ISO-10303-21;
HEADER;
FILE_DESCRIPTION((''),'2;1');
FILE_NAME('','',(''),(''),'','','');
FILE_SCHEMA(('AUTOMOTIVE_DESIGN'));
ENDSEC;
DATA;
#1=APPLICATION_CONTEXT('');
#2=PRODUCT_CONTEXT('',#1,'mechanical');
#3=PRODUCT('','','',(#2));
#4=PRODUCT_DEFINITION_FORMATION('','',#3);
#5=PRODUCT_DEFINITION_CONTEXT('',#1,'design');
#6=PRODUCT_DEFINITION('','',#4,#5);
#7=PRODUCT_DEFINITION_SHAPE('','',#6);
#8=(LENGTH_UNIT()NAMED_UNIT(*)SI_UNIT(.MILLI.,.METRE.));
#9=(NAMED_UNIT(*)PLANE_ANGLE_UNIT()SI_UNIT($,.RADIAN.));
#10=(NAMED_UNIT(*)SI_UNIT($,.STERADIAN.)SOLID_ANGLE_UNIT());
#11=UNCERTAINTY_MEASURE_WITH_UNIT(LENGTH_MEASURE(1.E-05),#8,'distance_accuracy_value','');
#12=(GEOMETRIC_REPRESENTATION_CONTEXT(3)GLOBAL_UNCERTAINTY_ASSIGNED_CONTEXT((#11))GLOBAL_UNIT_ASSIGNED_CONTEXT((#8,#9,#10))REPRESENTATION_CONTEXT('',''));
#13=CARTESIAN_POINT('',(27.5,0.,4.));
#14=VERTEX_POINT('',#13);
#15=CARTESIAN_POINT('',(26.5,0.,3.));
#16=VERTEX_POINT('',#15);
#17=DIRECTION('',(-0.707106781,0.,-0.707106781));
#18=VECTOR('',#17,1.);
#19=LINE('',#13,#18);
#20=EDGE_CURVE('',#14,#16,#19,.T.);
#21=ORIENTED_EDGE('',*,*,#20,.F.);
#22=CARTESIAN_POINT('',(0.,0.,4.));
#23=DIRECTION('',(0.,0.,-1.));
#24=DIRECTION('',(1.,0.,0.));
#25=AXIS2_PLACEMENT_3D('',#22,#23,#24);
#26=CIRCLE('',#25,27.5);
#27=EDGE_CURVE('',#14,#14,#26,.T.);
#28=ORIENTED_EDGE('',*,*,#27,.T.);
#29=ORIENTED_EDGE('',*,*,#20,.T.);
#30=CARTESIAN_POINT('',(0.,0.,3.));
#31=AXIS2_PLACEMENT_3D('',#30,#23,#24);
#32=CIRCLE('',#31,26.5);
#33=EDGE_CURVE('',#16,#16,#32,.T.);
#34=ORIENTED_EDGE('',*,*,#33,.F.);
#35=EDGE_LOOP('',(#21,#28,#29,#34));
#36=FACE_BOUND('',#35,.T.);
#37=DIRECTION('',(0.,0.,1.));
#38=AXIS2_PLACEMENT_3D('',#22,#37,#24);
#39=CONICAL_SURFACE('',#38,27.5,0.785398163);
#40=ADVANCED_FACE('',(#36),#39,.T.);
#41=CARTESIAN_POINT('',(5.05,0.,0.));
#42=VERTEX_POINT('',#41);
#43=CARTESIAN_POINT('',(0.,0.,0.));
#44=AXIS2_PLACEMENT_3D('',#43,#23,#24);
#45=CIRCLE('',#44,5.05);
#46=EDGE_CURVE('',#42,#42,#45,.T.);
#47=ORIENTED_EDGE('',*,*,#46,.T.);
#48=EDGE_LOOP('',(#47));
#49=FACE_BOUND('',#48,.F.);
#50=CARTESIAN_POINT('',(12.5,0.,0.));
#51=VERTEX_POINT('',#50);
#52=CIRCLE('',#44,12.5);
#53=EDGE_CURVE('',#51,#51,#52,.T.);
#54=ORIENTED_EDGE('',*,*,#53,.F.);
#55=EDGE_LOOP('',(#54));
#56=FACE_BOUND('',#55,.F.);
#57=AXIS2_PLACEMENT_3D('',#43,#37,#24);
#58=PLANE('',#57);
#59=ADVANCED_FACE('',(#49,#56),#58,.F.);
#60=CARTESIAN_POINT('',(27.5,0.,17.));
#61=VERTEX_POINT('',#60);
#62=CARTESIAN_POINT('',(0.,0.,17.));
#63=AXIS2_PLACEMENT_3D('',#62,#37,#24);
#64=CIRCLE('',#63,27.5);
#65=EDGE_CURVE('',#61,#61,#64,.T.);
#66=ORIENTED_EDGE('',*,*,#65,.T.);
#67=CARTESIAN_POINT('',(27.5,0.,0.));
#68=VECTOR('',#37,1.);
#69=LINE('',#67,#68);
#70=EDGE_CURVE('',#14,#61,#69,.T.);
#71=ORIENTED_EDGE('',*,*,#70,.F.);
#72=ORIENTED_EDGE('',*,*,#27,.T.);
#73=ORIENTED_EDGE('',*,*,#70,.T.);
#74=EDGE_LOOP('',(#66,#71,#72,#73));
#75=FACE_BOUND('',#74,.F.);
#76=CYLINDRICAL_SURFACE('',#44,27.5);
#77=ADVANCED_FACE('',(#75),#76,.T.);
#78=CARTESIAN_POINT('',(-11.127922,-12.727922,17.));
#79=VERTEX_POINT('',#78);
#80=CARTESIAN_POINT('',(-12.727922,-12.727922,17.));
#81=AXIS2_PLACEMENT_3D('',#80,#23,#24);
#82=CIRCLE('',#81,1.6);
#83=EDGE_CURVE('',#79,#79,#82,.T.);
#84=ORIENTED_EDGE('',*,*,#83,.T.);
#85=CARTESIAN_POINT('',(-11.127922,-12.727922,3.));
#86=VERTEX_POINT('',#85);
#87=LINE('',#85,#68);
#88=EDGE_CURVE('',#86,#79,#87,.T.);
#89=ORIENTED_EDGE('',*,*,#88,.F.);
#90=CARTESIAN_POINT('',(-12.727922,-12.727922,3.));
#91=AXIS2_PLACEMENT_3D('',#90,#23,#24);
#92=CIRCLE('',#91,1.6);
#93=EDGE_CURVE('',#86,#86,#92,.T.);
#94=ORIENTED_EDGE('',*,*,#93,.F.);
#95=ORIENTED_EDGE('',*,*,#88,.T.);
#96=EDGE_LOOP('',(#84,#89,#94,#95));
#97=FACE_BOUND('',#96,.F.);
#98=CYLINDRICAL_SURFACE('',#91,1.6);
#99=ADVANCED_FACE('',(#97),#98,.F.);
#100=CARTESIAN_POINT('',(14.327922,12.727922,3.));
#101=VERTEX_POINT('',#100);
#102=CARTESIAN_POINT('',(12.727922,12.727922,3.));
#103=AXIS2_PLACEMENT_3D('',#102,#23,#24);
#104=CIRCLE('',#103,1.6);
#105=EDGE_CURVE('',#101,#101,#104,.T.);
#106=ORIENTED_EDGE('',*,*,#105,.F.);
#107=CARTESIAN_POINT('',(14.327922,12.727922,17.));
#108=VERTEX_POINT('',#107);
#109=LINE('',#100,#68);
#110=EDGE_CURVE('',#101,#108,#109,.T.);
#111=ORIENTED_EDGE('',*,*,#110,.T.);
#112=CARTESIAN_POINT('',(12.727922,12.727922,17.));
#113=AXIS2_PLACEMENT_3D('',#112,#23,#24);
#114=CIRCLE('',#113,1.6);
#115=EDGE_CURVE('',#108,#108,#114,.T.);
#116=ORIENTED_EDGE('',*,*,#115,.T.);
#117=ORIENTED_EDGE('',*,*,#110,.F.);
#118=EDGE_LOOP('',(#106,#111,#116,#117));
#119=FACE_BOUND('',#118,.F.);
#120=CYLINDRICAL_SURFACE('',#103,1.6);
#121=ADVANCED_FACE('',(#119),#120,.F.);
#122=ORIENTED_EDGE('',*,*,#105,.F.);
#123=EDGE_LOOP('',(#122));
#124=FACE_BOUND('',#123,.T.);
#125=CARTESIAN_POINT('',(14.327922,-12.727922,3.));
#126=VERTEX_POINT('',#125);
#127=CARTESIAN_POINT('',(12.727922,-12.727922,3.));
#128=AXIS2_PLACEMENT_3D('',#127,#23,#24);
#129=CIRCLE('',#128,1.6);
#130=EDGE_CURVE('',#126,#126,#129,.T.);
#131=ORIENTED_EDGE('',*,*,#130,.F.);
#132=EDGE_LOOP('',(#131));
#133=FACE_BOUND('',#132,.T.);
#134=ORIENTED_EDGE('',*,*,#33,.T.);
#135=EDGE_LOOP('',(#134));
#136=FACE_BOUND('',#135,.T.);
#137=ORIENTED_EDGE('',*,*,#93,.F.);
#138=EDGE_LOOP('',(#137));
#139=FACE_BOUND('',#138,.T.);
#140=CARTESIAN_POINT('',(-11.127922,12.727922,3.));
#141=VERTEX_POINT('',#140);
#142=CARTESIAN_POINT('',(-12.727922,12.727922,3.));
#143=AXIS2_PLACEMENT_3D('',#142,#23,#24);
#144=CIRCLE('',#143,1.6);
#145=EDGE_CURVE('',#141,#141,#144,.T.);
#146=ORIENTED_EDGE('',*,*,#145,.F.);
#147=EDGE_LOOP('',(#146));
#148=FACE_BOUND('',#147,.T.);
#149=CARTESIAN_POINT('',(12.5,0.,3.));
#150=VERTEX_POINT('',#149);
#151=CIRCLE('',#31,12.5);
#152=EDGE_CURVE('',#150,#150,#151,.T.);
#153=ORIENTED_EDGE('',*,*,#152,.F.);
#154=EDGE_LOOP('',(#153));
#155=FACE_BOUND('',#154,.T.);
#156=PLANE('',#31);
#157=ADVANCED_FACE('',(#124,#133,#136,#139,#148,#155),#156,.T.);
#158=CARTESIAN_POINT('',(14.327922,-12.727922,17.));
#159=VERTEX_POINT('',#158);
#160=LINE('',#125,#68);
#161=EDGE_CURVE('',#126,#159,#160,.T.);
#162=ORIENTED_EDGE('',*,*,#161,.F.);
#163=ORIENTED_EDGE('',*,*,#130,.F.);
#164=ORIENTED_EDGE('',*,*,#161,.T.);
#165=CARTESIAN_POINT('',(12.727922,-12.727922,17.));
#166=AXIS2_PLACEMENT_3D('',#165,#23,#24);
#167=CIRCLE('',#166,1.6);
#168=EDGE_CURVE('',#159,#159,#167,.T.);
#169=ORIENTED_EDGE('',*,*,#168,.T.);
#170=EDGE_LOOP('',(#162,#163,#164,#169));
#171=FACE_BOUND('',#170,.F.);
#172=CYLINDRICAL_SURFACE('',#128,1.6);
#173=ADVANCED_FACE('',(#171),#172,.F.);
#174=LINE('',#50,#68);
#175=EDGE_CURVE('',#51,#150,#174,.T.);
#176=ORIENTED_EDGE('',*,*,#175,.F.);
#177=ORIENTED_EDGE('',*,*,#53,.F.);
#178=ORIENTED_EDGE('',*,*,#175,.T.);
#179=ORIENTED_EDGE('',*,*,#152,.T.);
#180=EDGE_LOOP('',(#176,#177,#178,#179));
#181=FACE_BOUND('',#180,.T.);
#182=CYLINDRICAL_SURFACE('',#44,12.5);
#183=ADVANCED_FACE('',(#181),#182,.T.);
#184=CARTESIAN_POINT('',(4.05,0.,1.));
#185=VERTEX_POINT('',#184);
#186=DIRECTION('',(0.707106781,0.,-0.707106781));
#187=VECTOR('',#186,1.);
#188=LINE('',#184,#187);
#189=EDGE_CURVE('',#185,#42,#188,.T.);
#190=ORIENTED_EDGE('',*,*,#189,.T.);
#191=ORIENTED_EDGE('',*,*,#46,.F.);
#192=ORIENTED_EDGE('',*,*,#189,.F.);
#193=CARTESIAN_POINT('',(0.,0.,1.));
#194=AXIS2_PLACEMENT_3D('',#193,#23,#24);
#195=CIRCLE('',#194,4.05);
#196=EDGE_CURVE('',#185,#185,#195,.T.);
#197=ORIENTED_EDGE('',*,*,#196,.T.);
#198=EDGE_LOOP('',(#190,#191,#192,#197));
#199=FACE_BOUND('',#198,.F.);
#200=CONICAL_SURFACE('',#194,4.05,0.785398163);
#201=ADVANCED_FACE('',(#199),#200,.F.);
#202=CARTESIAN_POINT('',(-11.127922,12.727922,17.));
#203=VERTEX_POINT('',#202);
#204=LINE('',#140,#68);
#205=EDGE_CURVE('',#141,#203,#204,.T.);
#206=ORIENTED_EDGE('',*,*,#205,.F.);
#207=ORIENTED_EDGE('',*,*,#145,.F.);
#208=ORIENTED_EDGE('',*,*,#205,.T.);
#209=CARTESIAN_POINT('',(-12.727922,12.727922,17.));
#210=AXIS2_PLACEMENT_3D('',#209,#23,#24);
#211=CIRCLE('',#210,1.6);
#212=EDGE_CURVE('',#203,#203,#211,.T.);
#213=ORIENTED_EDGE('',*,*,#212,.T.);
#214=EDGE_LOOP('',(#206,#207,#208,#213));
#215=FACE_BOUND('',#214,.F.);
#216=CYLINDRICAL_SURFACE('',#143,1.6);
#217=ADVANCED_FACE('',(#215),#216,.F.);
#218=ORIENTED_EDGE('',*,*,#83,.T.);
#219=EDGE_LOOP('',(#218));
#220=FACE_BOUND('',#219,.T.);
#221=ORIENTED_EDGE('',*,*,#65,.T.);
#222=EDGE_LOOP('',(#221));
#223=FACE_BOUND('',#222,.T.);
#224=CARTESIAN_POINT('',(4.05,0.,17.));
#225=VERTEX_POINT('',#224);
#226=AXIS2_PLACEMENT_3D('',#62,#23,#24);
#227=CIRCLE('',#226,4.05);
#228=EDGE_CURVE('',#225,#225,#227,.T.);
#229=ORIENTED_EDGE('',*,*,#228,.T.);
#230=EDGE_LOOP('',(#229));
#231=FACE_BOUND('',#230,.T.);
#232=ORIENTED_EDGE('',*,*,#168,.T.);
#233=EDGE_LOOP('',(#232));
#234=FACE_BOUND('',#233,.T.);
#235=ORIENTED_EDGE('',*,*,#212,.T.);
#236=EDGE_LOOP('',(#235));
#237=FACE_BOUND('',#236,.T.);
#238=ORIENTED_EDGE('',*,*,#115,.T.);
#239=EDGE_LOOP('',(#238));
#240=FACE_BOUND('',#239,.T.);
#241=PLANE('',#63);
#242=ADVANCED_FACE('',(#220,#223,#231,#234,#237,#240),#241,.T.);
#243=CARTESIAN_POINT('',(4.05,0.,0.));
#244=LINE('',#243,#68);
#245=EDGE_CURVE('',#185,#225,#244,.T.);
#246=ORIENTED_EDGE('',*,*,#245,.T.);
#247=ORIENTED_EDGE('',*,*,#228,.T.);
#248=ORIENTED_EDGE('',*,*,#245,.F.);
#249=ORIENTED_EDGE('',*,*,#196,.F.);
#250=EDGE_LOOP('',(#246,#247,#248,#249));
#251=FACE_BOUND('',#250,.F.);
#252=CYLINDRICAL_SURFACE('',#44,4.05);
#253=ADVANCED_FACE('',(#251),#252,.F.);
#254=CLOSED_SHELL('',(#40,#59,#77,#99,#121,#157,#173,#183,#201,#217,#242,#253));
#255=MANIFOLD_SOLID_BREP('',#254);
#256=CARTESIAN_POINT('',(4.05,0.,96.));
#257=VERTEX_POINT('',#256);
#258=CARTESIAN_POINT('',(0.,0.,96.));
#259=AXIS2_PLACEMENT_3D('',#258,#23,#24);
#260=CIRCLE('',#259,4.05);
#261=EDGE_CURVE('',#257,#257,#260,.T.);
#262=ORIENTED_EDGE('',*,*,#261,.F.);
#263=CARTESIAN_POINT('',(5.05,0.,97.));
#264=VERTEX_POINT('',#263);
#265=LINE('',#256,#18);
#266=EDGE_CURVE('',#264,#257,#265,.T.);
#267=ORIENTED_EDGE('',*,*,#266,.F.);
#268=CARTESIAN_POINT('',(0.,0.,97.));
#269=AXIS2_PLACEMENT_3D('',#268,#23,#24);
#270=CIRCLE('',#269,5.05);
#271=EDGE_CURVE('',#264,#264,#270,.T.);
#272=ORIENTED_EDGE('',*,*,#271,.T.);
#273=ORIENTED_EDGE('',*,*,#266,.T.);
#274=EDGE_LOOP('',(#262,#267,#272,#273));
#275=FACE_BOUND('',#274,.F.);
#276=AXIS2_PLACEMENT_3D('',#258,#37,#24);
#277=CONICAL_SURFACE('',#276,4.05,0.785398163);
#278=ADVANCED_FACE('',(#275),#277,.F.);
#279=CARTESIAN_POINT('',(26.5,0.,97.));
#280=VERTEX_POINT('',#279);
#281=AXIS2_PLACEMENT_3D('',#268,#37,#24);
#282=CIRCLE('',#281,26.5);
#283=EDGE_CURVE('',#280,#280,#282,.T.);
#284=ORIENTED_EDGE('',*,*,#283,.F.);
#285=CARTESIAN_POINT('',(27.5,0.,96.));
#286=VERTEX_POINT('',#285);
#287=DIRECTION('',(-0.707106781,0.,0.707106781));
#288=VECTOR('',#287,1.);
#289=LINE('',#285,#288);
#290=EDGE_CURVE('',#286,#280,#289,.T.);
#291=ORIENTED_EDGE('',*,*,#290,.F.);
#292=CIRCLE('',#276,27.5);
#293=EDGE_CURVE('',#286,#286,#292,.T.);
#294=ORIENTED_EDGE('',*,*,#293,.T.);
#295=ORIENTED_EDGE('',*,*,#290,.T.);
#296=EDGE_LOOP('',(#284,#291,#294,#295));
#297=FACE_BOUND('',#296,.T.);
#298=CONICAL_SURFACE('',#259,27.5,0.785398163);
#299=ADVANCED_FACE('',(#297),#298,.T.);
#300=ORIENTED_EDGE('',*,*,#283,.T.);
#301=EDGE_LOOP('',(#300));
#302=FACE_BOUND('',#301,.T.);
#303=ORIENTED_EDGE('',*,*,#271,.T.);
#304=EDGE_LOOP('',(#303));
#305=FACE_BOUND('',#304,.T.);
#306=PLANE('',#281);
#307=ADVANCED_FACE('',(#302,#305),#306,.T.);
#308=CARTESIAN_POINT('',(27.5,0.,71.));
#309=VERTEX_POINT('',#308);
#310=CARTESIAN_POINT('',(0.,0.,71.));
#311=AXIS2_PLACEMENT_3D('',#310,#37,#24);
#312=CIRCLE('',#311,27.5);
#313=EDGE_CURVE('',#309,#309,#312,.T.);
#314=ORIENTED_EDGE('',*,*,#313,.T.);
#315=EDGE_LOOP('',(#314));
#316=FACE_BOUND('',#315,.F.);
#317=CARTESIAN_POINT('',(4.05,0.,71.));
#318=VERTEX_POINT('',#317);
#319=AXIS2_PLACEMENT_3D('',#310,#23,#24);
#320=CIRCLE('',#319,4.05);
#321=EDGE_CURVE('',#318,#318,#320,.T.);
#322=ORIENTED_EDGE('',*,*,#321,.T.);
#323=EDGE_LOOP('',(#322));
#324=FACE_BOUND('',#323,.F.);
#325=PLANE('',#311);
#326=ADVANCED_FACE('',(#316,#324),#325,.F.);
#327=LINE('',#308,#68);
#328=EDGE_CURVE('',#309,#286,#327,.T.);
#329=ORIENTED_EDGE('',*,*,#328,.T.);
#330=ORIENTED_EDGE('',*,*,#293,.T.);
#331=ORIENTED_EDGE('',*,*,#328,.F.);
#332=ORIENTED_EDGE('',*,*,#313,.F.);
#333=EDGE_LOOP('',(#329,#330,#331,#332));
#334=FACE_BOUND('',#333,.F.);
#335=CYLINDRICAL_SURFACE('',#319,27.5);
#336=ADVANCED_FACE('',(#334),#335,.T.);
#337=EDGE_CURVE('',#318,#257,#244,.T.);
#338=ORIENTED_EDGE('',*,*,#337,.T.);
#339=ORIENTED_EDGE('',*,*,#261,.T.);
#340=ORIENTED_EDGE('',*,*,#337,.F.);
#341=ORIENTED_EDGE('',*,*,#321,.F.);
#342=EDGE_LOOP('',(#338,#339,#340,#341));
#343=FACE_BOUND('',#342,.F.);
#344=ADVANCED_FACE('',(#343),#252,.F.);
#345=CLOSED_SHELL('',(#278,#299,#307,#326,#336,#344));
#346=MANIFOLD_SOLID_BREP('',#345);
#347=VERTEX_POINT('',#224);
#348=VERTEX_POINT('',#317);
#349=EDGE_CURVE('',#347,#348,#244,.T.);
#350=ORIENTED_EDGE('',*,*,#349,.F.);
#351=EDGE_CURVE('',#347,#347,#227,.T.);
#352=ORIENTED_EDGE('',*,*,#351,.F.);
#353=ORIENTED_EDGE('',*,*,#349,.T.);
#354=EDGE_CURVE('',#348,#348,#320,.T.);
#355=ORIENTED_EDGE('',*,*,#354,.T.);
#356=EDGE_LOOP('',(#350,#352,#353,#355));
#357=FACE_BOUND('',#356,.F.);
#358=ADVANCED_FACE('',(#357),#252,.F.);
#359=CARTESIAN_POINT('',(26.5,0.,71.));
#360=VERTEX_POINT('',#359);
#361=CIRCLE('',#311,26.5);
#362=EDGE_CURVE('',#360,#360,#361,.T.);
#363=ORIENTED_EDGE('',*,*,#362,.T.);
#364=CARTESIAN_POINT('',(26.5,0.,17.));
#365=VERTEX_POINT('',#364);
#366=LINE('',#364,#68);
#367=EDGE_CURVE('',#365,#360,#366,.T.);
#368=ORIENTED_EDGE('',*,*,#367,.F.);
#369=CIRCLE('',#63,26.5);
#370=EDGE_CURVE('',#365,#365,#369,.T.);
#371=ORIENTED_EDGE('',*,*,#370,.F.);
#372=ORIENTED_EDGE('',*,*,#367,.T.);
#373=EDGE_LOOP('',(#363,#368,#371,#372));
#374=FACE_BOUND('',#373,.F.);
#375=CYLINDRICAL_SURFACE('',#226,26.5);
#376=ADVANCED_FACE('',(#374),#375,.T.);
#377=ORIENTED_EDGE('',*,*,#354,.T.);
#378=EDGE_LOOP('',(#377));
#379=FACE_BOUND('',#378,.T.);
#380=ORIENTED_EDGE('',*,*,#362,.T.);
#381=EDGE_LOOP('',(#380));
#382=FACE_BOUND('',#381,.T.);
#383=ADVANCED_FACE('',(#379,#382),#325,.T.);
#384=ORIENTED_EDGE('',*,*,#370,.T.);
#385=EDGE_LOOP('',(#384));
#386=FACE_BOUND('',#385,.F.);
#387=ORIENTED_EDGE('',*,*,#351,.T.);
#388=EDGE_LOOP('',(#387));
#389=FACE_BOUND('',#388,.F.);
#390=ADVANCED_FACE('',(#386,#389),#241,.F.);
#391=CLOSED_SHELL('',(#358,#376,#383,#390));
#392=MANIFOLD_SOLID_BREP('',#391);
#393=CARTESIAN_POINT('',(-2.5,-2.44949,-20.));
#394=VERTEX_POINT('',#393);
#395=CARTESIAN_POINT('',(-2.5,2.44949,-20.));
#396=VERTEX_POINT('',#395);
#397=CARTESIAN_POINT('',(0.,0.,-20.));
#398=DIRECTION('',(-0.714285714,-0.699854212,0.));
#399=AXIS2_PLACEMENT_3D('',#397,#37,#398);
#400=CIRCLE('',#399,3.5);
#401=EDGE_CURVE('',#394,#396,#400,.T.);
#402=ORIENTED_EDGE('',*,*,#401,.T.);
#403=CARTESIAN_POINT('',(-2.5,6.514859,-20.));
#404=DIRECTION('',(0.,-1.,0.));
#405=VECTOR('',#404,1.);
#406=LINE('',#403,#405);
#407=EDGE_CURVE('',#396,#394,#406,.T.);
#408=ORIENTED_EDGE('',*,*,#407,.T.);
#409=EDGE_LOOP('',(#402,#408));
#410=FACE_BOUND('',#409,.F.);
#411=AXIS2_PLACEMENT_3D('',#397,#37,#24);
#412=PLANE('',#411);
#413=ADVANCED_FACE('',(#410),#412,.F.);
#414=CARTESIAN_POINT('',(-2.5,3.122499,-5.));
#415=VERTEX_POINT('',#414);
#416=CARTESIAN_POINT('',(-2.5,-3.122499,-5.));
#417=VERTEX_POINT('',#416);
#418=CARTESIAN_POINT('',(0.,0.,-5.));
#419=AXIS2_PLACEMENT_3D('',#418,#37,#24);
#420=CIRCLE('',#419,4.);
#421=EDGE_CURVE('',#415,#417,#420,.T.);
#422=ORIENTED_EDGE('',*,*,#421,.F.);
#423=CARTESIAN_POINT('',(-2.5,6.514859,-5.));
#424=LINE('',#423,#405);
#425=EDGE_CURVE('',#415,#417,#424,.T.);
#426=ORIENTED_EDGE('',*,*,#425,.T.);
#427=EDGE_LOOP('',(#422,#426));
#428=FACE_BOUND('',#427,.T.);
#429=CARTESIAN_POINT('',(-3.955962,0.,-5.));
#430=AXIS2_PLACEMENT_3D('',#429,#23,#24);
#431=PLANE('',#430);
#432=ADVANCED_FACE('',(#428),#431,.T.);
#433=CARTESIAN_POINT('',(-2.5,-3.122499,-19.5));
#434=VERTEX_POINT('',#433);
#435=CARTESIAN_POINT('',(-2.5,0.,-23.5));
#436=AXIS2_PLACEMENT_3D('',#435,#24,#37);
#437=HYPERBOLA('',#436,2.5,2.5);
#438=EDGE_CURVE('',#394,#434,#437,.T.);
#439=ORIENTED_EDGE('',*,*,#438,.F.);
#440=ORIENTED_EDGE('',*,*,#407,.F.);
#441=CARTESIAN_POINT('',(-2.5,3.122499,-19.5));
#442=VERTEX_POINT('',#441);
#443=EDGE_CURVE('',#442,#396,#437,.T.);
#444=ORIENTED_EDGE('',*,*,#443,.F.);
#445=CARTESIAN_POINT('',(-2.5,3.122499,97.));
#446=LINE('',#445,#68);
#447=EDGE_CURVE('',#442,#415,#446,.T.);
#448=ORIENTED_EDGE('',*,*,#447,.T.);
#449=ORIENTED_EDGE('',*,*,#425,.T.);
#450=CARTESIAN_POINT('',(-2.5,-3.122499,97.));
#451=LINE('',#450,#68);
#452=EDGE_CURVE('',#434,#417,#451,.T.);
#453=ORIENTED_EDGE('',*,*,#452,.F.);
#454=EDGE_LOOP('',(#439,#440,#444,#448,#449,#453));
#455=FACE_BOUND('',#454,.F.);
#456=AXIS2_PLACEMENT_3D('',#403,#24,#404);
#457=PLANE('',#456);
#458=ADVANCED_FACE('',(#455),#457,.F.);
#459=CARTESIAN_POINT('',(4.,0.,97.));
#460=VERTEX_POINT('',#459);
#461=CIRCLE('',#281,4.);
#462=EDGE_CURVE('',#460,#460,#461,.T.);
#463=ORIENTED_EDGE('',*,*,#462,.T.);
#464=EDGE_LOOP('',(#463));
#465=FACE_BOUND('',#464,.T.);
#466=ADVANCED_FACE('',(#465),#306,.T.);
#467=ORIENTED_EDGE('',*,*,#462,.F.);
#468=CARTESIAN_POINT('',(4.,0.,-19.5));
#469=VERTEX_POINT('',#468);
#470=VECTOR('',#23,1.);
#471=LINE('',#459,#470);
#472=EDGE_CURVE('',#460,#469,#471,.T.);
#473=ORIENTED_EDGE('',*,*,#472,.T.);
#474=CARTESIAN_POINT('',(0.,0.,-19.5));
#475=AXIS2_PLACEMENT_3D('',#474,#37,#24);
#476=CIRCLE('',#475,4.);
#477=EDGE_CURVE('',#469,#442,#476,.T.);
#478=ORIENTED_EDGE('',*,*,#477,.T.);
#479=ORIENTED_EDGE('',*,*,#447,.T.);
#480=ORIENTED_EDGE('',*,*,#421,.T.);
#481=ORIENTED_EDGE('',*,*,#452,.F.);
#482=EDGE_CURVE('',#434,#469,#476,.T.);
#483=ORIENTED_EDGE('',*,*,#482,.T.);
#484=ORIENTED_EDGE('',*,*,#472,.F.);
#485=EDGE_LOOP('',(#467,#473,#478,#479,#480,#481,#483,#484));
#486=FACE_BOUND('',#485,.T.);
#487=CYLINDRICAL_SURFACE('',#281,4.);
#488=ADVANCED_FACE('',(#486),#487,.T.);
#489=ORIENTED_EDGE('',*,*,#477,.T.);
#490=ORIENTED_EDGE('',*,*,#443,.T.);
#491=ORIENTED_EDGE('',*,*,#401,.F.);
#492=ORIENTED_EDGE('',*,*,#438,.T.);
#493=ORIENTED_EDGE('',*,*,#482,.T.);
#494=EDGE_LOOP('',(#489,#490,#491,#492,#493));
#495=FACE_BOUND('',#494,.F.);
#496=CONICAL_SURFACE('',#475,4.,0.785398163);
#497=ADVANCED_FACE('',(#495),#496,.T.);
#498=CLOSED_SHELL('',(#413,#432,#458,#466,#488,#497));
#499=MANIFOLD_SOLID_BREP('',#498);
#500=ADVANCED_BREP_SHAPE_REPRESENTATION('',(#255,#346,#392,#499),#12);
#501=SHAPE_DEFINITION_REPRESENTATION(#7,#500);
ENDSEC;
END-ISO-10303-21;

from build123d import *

# Parameters (mm, degrees)
F0_R       = 27.5
F1_DEPTH   = 17
F2_R       = 27.5
F2_R_2     = 12.5
F3_DEPTH   = 3
F4_R       = 26.5
F5_DEPTH   = 54
F6_R       = 27.5
F7_DEPTH   = 26
F8_SIZE    = 1
F8_2_SIZE  = 1
F9_R       = 4.05
F10_DEPTH  = 97.001
F11_SIZE   = 1
F11_2_SIZE = 1
F12_R      = 4
F13_DEPTH  = 117
F14_SIZE   = 0.5
F16_DEPTH  = 15
F17_R      = 1.6
F18_DEPTH  = 94.001


with BuildPart() as f1:
    # F0 (on Top) → F1 (new body)
    with BuildSketch(Plane.XY):
        Circle(F0_R)
    extrude(amount=F1_DEPTH)

    # F2 (on face) → F3 (cut)
    with BuildSketch(Plane(origin=(0, 0, 0), x_dir=(1, 0, 0), z_dir=(0, 0, -1))):
        Circle(F2_R)
        Circle(F2_R_2, mode=Mode.SUBTRACT)
    extrude(amount=-F3_DEPTH, mode=Mode.SUBTRACT)

    # F8#2
    f8_2_edges = [f1.edges().sort_by_distance(p)[0] for p in [
        (-27.5, 0, 3),
    ]]
    chamfer(f8_2_edges, length=F8_2_SIZE)


with BuildPart() as f5:
    # F4 (on face) → F5 (new body)
    with BuildSketch(Plane.XY.offset(17)):
        Circle(F4_R)
    extrude(amount=F5_DEPTH)


with BuildPart() as f7:
    # F6 (on face) → F7 (new body)
    with BuildSketch(Plane.XY.offset(71)):
        Circle(F6_R)
    extrude(amount=F7_DEPTH)

    # F8
    f8_edges = [f7.edges().sort_by_distance(p)[0] for p in [
        (-27.5, 0, 97),
    ]]
    chamfer(f8_edges, length=F8_SIZE)


with BuildPart() as f10_tool:
    # F9 (on face) → F10 (new body, through all)
    with BuildSketch(Plane(origin=(0, 0, 0), x_dir=(1, 0, 0), z_dir=(0, 0, -1))):
        Circle(F9_R)
    extrude(amount=-F10_DEPTH)


with BuildPart() as f1_1:
    add(f1.part)

    # F10: cut by f10_tool
    add(f10_tool.part, mode=Mode.SUBTRACT)

    # F11#2
    f11_2_edges = [f1_1.edges().sort_by_distance(p)[0] for p in [
        (-4.05, 0, 0),
    ]]
    chamfer(f11_2_edges, length=F11_2_SIZE)

    # F17 (on face) → F18 (cut, through all)
    with BuildSketch(Plane(origin=(0, 0, 3), x_dir=(1, 0, 0), z_dir=(0, 0, -1))):
        with Locations((-12.7279220614, 12.7279220614)):
            Circle(F17_R)
        with Locations((-12.7279220614, -12.7279220614)):
            Circle(F17_R)
        with Locations((12.7279220614, -12.7279220614)):
            Circle(F17_R)
        with Locations((12.7279220614, 12.7279220614)):
            Circle(F17_R)
    extrude(amount=-F18_DEPTH, mode=Mode.SUBTRACT)


with BuildPart() as f5_1:
    add(f5.part)

    # F10: cut by f10_tool
    add(f10_tool.part, mode=Mode.SUBTRACT)


with BuildPart() as f7_1:
    add(f7.part)

    # F10: cut by f10_tool
    add(f10_tool.part, mode=Mode.SUBTRACT)

    # F11
    f11_edges = [f7_1.edges().sort_by_distance(p)[0] for p in [
        (-4.05, 0, 97),
    ]]
    chamfer(f11_edges, length=F11_SIZE)


with BuildPart() as f13:
    # F12 (on face) → F13 (new body)
    with BuildSketch(Plane.XY.offset(97)):
        Circle(F12_R)
    extrude(amount=-F13_DEPTH)

    # F14
    f14_edges = [f13.edges().sort_by_distance(p)[0] for p in [
        (-4, 0, -20),
    ]]
    chamfer(f14_edges, length=F14_SIZE)

    # F15 (on face) → F16 (cut)
    with BuildSketch(Plane(origin=(0, 0, -20), x_dir=(1, 0, 0), z_dir=(0, 0, -1))):
        with BuildLine():
            Line((-2.5, -6.5148589839), (-2.5, 6.5148589839))
            ThreePointArc((-2.5, 6.5148589839), (-6.9780647446, 0), (-2.5, -6.5148589839))
        make_face()
    extrude(amount=-F16_DEPTH, mode=Mode.SUBTRACT)


solid = Compound([f1_1.part, f5_1.part, f7_1.part, f13.part])
